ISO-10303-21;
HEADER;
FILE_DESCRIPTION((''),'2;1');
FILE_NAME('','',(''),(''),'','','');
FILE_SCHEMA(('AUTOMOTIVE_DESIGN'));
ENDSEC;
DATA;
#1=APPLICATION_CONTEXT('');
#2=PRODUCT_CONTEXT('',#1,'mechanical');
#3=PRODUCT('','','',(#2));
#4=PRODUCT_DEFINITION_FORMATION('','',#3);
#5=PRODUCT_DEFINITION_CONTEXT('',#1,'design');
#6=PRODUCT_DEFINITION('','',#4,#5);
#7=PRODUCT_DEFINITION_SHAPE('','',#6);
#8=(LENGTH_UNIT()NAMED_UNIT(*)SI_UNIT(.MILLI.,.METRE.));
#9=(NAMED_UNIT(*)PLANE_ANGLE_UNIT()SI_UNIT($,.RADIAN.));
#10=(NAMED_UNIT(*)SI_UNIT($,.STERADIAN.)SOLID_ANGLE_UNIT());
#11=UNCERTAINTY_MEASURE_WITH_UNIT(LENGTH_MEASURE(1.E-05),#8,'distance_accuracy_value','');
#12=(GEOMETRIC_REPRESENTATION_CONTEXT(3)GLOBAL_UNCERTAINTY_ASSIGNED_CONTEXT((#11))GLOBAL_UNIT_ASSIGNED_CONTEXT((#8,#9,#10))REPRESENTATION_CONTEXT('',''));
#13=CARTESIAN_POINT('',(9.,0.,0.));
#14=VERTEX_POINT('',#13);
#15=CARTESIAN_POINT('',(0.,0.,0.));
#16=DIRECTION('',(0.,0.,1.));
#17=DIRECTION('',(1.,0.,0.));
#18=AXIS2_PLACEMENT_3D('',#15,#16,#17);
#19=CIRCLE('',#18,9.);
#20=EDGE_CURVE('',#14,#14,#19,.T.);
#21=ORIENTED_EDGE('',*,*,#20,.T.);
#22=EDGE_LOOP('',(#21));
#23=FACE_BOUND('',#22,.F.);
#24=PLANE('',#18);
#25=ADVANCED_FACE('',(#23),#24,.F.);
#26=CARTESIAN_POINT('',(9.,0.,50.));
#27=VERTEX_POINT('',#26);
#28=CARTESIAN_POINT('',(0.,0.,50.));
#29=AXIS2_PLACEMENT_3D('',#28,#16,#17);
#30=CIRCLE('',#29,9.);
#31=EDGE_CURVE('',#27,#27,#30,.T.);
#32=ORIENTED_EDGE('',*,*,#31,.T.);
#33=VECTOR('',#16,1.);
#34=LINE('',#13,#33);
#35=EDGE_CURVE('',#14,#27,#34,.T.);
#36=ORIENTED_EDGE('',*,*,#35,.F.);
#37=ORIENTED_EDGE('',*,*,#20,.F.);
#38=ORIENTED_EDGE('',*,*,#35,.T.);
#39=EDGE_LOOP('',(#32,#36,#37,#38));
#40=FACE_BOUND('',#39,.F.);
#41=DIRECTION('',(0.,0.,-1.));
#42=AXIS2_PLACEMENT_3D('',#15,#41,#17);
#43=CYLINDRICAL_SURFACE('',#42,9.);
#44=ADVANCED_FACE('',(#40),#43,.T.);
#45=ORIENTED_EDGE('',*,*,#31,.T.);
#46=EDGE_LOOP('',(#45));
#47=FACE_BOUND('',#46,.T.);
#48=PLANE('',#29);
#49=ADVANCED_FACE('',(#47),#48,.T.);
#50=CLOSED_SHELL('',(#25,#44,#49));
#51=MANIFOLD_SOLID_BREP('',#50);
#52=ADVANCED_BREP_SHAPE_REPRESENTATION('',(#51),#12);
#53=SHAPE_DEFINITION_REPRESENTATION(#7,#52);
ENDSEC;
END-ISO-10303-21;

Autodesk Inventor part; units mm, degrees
ref_plane "YZ Plane" through (0, 0, 0) normal (1, 0, 0) x (0, 1, 0)
ref_plane "XZ Plane" through (0, 0, 0) normal (0, 1, 0) x (-1, 0, 0)
ref_plane "XY Plane" through (0, 0, 0) normal (0, 0, 1) x (1, 0, 0)
sketch "スケッチ1" plane through (0, 0, 0) normal (0, 0, 1) x (1, 0, 0)
  circle A0 centre (0, 0) radius 9
  dimension "d0" = 18
extrude "押し出し1" add sketch "スケッチ1" along normal blind 50
properties part number "ダンパーばね代用"
